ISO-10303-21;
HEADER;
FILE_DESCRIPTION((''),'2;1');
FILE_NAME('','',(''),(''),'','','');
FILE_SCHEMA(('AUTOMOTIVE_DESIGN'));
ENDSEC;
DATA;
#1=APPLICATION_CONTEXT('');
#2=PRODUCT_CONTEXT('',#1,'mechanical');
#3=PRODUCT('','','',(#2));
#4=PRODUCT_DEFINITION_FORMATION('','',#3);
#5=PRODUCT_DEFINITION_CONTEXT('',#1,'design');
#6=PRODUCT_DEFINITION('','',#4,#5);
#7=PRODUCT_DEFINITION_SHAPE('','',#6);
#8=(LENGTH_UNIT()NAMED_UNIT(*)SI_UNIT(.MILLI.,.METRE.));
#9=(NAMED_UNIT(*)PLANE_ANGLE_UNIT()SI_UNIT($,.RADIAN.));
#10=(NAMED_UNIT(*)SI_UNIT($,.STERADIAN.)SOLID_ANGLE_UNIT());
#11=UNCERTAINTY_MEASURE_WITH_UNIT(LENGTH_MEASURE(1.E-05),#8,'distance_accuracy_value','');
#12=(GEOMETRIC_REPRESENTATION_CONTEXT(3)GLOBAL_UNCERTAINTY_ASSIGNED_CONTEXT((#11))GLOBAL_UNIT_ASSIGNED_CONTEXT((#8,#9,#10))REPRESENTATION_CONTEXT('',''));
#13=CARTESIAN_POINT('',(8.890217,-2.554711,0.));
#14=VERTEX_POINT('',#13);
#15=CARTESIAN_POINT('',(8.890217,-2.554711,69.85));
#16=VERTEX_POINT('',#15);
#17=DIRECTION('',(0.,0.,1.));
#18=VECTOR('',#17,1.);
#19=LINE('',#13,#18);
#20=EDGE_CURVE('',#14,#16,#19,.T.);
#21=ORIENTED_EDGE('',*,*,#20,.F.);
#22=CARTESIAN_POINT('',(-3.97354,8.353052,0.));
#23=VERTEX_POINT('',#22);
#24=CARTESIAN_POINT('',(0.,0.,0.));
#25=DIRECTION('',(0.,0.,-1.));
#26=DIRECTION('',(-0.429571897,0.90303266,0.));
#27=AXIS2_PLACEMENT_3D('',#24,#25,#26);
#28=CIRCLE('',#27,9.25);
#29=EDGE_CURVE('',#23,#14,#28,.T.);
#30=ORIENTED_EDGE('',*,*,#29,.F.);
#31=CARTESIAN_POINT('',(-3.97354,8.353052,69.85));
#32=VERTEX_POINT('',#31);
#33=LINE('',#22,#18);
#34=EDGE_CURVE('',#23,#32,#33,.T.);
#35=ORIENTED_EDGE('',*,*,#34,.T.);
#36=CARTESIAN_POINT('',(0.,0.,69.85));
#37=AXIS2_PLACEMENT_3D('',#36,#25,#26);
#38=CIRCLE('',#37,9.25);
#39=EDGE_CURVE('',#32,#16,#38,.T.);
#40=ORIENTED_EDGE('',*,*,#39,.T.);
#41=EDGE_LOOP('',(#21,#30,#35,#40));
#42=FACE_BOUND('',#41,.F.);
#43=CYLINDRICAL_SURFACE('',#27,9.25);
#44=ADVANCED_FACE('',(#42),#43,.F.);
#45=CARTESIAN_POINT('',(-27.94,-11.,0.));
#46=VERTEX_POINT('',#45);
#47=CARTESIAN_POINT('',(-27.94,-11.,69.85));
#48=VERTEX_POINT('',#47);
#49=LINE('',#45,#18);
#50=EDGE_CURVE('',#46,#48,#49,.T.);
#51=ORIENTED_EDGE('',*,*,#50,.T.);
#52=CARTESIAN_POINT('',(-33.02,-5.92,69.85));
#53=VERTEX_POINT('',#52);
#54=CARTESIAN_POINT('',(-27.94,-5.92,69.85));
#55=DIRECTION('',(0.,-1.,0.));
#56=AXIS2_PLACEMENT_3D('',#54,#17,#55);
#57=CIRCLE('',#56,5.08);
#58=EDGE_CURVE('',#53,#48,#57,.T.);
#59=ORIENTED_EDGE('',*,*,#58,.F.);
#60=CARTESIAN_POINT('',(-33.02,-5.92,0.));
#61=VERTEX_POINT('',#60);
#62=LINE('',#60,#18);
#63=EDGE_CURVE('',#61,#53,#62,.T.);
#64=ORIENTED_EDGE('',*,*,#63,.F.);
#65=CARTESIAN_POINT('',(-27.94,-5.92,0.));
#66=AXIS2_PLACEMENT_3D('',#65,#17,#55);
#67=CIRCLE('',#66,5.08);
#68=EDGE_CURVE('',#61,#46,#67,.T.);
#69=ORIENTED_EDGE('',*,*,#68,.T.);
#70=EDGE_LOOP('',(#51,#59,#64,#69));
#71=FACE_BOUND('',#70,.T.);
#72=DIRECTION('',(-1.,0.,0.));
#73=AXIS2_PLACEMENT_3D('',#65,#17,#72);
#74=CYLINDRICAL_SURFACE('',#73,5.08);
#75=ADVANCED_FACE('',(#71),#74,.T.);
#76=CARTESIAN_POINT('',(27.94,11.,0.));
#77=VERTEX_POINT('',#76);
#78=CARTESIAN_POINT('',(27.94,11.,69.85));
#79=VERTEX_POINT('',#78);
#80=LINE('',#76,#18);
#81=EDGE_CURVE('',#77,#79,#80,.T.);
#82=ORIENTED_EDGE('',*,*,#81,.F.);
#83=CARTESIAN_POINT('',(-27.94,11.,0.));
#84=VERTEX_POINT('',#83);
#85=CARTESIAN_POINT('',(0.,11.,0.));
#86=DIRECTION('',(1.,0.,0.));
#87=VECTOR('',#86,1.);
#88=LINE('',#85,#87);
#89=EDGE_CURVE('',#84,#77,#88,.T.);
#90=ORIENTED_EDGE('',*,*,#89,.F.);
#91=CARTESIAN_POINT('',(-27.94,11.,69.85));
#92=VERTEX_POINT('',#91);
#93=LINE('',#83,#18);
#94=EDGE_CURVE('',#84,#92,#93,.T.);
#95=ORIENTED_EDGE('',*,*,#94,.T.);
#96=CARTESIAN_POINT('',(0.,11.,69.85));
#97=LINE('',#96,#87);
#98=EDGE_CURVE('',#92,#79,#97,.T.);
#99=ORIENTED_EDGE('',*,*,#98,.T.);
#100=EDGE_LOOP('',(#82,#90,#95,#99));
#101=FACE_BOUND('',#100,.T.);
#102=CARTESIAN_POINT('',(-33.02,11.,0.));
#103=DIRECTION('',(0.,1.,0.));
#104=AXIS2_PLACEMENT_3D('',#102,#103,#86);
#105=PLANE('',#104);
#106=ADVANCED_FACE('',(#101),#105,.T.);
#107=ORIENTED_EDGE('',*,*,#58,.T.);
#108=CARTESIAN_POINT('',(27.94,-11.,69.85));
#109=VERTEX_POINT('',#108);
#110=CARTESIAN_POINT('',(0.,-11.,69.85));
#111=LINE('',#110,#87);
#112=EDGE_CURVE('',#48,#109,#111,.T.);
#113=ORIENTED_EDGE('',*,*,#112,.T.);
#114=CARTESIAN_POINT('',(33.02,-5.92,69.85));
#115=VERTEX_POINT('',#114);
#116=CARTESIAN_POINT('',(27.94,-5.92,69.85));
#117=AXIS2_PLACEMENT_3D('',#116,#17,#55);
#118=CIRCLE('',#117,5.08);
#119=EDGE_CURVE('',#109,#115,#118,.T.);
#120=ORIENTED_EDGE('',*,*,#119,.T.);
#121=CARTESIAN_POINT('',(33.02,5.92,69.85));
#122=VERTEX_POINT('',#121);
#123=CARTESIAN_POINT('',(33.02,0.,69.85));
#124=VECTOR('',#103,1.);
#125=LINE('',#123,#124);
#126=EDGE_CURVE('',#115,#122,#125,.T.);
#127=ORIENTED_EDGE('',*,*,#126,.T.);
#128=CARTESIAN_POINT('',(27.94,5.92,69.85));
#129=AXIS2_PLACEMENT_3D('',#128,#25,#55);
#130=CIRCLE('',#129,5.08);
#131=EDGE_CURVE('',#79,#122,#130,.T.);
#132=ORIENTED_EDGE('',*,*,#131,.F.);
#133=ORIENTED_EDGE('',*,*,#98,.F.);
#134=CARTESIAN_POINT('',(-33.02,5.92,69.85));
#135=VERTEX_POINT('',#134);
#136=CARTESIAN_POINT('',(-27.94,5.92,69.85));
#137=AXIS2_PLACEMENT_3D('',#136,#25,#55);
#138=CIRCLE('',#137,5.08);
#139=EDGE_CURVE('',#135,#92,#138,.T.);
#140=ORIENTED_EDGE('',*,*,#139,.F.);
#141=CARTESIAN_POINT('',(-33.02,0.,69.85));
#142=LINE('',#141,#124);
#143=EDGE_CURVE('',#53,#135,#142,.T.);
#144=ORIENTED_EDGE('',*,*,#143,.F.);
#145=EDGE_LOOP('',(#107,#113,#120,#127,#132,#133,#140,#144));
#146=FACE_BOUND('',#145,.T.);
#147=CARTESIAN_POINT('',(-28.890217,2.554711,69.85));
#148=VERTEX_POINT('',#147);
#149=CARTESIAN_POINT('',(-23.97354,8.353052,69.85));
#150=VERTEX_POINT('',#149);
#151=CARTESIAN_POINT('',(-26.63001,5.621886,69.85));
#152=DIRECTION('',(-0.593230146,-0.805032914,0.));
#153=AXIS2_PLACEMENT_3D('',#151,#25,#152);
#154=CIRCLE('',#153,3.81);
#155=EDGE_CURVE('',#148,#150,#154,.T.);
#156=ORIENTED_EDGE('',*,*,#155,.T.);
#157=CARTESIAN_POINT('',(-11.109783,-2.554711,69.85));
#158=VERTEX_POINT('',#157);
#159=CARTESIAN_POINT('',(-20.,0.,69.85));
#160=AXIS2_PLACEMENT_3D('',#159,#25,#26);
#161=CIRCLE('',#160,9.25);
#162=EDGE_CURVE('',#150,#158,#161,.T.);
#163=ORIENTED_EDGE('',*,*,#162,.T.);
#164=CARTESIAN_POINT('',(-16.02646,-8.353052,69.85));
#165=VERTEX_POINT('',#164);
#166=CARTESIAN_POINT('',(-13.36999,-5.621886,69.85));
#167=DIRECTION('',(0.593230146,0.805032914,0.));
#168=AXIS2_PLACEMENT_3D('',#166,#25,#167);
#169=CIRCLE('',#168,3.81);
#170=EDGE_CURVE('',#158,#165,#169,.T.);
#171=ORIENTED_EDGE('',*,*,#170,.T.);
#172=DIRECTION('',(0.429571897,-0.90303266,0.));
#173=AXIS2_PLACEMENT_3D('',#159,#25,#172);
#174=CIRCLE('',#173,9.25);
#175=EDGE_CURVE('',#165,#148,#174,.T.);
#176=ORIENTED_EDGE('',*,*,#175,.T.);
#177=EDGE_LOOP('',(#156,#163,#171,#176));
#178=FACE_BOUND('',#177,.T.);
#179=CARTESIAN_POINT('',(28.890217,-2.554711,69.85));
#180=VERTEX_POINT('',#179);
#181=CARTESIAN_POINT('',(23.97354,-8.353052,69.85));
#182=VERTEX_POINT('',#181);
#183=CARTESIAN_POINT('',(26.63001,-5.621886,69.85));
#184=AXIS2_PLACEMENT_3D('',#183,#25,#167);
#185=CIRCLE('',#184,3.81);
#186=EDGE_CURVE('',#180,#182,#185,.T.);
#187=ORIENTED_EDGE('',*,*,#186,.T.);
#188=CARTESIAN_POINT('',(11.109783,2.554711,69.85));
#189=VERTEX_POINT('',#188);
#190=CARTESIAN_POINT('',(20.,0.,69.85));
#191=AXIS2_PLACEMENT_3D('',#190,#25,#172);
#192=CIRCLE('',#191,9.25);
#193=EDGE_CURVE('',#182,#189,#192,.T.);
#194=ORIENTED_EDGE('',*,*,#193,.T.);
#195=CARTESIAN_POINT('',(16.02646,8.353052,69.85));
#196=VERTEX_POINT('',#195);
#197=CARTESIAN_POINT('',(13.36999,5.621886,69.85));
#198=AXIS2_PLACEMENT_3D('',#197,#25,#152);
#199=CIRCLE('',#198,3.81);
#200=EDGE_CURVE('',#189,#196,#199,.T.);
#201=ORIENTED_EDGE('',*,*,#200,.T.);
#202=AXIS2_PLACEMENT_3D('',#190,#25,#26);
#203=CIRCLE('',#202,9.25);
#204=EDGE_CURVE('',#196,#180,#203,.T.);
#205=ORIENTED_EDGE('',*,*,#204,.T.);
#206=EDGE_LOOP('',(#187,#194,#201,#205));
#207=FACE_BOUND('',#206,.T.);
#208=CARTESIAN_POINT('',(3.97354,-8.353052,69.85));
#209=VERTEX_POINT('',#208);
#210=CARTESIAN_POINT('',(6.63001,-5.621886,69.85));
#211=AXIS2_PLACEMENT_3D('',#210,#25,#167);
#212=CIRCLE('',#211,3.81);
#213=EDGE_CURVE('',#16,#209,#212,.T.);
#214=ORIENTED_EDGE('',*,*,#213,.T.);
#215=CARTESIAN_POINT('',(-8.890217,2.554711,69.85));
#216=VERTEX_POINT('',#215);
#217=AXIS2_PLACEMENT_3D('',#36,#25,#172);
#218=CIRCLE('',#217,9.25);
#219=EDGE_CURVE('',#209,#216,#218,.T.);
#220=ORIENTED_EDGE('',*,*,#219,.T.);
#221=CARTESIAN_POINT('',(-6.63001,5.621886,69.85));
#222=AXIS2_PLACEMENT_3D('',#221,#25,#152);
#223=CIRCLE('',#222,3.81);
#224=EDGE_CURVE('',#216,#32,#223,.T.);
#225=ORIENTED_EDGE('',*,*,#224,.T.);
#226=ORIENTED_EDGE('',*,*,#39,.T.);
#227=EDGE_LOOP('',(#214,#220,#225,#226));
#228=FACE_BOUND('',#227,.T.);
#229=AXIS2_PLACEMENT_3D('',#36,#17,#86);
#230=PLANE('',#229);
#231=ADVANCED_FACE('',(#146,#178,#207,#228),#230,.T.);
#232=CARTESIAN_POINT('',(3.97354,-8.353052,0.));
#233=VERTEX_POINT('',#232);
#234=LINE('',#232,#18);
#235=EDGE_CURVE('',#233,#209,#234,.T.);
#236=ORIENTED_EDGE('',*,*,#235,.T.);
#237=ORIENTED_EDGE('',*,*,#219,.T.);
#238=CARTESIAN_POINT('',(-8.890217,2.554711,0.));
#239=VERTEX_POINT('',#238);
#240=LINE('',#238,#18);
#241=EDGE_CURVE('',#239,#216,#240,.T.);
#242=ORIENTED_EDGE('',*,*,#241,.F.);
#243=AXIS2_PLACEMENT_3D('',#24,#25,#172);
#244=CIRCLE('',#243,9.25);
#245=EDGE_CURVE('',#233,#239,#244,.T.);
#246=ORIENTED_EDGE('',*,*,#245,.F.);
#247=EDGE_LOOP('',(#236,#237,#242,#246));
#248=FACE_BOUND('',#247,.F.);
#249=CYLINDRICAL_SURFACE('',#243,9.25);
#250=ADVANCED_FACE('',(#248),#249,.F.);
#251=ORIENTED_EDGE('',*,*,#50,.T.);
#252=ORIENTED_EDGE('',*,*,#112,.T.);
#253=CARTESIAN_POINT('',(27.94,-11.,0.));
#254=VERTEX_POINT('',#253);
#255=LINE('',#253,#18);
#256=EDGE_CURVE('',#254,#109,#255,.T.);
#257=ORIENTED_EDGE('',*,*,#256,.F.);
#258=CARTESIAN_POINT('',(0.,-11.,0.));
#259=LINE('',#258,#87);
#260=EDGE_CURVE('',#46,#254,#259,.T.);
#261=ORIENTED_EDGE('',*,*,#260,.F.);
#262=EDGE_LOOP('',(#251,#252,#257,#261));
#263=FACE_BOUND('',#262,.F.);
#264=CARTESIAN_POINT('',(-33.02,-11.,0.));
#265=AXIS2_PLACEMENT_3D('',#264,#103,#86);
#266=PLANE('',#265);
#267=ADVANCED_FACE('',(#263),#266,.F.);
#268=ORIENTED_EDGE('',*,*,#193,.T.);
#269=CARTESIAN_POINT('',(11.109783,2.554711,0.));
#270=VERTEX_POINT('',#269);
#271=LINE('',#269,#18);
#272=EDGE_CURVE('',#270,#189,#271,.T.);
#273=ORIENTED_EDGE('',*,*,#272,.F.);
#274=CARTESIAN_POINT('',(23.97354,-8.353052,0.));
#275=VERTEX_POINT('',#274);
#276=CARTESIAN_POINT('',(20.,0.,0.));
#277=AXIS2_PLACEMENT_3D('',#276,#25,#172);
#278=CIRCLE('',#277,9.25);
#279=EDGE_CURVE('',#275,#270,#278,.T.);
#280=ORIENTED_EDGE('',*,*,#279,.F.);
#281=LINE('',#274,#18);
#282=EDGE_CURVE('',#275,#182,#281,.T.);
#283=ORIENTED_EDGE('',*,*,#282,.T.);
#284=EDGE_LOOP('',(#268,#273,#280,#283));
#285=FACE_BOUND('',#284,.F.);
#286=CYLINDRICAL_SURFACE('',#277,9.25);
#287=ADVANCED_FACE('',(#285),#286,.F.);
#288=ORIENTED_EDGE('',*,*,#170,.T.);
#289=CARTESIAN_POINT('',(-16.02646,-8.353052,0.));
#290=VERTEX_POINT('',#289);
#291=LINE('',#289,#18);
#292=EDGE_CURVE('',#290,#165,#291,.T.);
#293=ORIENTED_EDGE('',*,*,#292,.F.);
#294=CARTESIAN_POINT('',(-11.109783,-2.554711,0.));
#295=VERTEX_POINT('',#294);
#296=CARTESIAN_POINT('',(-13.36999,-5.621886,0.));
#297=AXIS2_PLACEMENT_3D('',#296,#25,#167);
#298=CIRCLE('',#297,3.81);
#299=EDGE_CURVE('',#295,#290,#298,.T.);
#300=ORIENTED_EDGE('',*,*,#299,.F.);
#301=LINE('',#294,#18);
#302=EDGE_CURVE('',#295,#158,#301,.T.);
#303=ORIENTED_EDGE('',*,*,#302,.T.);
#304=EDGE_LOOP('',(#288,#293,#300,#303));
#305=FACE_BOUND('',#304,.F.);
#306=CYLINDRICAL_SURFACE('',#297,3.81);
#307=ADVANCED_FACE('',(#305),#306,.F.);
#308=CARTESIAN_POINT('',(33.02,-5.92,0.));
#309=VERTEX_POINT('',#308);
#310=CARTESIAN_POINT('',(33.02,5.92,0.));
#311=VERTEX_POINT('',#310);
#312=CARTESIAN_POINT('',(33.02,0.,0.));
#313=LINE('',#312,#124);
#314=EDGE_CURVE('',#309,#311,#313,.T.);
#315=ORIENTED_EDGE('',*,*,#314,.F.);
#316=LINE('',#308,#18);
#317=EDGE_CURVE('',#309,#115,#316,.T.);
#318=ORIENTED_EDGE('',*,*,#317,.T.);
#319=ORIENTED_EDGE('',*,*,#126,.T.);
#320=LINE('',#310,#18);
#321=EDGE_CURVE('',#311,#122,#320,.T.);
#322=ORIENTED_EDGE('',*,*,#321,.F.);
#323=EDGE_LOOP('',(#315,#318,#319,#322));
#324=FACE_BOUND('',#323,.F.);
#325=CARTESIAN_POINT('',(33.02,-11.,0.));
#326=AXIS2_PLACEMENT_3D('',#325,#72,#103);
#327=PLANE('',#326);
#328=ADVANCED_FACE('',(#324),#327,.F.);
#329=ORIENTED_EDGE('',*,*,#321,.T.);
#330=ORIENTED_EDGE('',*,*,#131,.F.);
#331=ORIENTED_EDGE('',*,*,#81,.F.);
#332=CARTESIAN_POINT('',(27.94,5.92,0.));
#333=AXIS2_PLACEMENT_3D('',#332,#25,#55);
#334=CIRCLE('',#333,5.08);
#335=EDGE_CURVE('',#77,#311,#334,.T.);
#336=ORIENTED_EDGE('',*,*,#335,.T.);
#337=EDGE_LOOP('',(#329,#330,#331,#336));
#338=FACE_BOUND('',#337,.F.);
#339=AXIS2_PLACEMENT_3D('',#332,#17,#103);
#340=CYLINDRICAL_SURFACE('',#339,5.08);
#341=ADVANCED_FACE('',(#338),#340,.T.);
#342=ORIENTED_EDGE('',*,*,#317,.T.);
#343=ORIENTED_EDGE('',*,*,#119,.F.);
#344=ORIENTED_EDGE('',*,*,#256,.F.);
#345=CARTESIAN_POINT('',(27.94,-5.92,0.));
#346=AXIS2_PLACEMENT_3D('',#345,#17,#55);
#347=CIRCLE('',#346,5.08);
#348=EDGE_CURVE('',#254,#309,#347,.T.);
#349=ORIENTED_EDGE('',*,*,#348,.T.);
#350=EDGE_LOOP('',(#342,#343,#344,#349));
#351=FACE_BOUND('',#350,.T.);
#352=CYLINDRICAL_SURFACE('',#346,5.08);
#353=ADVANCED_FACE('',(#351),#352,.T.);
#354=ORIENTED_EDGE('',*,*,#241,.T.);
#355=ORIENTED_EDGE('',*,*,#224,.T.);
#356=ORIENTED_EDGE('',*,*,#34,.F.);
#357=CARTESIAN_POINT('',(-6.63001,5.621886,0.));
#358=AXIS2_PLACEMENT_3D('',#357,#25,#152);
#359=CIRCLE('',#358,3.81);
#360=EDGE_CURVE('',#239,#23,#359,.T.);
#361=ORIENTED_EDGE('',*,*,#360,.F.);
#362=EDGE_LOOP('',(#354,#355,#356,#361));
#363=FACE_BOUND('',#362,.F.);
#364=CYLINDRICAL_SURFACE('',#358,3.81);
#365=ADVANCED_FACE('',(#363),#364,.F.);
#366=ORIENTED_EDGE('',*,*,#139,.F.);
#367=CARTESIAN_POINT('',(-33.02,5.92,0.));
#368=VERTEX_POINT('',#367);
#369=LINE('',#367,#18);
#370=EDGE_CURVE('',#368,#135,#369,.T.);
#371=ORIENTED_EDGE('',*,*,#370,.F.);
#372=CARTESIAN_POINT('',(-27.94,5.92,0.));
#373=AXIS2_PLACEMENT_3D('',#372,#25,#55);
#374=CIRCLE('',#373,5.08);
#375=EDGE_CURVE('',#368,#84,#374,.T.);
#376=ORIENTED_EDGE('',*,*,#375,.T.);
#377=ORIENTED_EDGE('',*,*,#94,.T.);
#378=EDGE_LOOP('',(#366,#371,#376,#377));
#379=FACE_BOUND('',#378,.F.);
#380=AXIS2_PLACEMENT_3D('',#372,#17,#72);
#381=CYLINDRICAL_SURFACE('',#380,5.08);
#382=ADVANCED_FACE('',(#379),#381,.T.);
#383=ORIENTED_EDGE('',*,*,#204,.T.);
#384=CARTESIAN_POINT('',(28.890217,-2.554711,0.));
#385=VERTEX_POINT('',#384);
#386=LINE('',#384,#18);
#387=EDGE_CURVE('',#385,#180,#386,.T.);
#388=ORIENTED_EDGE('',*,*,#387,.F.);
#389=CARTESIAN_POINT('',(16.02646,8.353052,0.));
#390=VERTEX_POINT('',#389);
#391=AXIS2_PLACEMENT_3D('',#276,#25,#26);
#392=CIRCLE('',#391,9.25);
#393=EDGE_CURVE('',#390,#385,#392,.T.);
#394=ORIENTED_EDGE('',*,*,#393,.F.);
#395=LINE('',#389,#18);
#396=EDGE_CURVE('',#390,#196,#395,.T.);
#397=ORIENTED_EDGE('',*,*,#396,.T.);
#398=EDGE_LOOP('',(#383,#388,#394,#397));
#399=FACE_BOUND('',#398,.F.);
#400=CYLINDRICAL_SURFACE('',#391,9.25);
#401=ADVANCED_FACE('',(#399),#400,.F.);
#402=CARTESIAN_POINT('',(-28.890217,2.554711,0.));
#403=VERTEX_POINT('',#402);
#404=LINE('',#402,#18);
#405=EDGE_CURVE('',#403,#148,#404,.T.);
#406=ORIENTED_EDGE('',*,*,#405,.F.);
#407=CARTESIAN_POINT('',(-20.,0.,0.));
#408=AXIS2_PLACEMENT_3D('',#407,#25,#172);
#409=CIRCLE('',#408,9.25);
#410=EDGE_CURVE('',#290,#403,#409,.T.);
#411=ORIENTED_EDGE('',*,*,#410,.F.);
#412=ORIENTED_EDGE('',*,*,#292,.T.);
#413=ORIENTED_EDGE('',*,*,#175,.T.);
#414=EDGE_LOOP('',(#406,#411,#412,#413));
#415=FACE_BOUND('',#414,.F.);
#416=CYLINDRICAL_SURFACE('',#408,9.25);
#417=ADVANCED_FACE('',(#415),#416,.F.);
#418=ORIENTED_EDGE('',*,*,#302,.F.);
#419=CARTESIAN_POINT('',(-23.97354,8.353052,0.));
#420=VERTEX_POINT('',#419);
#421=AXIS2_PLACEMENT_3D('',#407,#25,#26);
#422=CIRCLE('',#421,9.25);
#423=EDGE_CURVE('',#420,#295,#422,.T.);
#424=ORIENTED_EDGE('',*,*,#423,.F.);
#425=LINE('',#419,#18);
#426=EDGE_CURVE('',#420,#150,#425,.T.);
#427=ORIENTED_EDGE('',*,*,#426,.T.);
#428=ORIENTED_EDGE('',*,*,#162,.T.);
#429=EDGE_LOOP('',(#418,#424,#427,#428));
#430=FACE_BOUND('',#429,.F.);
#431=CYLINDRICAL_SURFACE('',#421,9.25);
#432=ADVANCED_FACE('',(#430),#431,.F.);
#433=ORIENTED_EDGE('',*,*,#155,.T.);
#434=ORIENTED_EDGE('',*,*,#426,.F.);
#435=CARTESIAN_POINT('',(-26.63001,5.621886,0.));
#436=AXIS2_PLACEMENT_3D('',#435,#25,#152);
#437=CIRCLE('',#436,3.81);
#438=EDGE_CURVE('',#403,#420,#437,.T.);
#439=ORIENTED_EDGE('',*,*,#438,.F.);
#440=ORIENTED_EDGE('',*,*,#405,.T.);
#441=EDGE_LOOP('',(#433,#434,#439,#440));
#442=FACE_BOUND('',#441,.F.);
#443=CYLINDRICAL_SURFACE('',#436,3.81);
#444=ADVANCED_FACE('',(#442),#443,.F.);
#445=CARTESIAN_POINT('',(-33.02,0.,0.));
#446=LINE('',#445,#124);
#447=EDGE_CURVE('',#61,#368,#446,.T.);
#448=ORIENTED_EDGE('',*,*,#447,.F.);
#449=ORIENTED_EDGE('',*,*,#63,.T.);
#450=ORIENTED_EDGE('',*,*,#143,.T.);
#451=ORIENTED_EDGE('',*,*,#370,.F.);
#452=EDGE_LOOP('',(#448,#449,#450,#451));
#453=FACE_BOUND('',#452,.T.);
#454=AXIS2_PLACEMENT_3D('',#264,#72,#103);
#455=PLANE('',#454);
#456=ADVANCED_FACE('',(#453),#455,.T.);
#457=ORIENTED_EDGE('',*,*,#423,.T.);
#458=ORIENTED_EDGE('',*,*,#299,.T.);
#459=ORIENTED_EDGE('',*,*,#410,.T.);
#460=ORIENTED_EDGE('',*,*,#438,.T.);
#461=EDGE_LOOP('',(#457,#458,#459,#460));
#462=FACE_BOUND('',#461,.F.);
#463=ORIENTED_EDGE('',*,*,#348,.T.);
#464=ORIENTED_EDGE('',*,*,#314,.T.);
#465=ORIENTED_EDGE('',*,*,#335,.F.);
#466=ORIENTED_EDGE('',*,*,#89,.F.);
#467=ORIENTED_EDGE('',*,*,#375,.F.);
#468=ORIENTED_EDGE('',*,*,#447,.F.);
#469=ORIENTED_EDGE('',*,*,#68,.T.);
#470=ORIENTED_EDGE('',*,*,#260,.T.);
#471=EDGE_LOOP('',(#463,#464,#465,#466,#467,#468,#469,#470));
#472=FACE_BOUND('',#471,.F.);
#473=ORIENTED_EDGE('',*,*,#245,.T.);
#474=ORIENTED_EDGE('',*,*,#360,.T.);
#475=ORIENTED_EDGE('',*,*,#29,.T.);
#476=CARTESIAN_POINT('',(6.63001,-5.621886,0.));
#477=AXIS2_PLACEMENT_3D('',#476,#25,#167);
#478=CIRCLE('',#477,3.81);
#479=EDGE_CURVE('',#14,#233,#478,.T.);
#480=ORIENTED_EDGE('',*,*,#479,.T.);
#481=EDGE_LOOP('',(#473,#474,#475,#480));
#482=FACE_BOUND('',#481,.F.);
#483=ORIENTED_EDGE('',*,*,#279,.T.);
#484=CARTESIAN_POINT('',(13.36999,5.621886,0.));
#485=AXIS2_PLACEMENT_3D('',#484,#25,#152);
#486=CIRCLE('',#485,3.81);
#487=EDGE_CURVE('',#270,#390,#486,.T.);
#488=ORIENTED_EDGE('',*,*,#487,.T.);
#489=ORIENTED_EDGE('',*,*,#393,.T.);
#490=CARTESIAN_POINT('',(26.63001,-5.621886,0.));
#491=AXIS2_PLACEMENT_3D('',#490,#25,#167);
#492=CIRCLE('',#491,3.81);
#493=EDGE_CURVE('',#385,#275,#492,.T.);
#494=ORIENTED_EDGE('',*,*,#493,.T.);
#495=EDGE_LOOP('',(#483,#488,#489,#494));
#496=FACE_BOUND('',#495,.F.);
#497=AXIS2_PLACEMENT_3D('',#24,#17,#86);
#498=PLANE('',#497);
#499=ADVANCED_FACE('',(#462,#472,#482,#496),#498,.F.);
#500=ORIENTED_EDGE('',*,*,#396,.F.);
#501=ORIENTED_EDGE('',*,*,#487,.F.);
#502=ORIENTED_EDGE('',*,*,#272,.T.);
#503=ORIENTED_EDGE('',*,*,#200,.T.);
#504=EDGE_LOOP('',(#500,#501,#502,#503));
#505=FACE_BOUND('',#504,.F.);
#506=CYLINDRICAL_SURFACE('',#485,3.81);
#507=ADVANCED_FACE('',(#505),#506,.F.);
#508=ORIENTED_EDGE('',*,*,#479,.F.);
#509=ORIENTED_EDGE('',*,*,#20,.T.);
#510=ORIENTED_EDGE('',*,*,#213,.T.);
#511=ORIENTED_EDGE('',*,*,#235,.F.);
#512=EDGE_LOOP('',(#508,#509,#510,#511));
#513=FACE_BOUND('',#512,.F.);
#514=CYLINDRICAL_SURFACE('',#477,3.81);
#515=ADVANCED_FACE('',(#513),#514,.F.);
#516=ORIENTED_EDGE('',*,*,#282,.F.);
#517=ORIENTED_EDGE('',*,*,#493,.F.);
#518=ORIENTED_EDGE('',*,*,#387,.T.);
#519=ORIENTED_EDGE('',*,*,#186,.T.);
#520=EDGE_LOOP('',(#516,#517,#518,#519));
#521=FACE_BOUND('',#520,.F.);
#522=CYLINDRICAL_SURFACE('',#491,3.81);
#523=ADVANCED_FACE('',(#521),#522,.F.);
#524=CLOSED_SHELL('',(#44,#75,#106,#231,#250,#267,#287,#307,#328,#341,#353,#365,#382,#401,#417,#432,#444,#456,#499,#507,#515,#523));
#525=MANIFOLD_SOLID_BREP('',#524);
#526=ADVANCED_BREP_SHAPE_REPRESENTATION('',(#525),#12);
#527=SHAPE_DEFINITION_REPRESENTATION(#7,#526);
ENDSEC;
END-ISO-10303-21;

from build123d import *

# Parameters (mm, degrees)
F0_W     = 66.04
F0_H     = 22
F1_DEPTH = 69.85
F2_R     = 5.08


with BuildPart() as f1:
    # F0 (on Top) → F1 (new body)
    with BuildSketch(Plane.XY):
        Rectangle(F0_W, F0_H)
        with BuildLine():
            ThreePointArc((-23.97354, 8.353052), (-14.017672, 7.055087), (-11.109783, -2.554711))
            ThreePointArc((-11.109783, -2.554711), (-10.464057, -8.085959), (-16.02646, -8.353052))
            ThreePointArc((-16.02646, -8.353052), (-25.982328, -7.055087), (-28.890217, 2.554711))
            ThreePointArc((-28.890217, 2.554711), (-29.535943, 8.085959), (-23.97354, 8.353052))
        make_face(mode=Mode.SUBTRACT)
        with BuildLine():
            ThreePointArc((3.97354, -8.353052), (-5.982328, -7.055087), (-8.890217, 2.554711))
            ThreePointArc((-8.890217, 2.554711), (-9.535943, 8.085959), (-3.97354, 8.353052))
            ThreePointArc((-3.97354, 8.353052), (5.982328, 7.055087), (8.890217, -2.554711))
            ThreePointArc((8.890217, -2.554711), (9.535943, -8.085959), (3.97354, -8.353052))
        make_face(mode=Mode.SUBTRACT)
        with BuildLine():
            ThreePointArc((16.02646, 8.353052), (25.982328, 7.055087), (28.890217, -2.554711))
            ThreePointArc((28.890217, -2.554711), (29.535943, -8.085959), (23.97354, -8.353052))
            ThreePointArc((23.97354, -8.353052), (14.017672, -7.055087), (11.109783, 2.554711))
            ThreePointArc((11.109783, 2.554711), (10.464057, 8.085959), (16.02646, 8.353052))
        make_face(mode=Mode.SUBTRACT)
    extrude(amount=F1_DEPTH)

    # F2
    f2_edges = [f1.edges().sort_by_distance(p)[0] for p in [
        (-33.02, 11, 34.925),
        (-33.02, -11, 34.925),
        (33.02, -11, 34.925),
        (33.02, 11, 34.925),
    ]]
    fillet(f2_edges, radius=F2_R)


solid = f1.part
